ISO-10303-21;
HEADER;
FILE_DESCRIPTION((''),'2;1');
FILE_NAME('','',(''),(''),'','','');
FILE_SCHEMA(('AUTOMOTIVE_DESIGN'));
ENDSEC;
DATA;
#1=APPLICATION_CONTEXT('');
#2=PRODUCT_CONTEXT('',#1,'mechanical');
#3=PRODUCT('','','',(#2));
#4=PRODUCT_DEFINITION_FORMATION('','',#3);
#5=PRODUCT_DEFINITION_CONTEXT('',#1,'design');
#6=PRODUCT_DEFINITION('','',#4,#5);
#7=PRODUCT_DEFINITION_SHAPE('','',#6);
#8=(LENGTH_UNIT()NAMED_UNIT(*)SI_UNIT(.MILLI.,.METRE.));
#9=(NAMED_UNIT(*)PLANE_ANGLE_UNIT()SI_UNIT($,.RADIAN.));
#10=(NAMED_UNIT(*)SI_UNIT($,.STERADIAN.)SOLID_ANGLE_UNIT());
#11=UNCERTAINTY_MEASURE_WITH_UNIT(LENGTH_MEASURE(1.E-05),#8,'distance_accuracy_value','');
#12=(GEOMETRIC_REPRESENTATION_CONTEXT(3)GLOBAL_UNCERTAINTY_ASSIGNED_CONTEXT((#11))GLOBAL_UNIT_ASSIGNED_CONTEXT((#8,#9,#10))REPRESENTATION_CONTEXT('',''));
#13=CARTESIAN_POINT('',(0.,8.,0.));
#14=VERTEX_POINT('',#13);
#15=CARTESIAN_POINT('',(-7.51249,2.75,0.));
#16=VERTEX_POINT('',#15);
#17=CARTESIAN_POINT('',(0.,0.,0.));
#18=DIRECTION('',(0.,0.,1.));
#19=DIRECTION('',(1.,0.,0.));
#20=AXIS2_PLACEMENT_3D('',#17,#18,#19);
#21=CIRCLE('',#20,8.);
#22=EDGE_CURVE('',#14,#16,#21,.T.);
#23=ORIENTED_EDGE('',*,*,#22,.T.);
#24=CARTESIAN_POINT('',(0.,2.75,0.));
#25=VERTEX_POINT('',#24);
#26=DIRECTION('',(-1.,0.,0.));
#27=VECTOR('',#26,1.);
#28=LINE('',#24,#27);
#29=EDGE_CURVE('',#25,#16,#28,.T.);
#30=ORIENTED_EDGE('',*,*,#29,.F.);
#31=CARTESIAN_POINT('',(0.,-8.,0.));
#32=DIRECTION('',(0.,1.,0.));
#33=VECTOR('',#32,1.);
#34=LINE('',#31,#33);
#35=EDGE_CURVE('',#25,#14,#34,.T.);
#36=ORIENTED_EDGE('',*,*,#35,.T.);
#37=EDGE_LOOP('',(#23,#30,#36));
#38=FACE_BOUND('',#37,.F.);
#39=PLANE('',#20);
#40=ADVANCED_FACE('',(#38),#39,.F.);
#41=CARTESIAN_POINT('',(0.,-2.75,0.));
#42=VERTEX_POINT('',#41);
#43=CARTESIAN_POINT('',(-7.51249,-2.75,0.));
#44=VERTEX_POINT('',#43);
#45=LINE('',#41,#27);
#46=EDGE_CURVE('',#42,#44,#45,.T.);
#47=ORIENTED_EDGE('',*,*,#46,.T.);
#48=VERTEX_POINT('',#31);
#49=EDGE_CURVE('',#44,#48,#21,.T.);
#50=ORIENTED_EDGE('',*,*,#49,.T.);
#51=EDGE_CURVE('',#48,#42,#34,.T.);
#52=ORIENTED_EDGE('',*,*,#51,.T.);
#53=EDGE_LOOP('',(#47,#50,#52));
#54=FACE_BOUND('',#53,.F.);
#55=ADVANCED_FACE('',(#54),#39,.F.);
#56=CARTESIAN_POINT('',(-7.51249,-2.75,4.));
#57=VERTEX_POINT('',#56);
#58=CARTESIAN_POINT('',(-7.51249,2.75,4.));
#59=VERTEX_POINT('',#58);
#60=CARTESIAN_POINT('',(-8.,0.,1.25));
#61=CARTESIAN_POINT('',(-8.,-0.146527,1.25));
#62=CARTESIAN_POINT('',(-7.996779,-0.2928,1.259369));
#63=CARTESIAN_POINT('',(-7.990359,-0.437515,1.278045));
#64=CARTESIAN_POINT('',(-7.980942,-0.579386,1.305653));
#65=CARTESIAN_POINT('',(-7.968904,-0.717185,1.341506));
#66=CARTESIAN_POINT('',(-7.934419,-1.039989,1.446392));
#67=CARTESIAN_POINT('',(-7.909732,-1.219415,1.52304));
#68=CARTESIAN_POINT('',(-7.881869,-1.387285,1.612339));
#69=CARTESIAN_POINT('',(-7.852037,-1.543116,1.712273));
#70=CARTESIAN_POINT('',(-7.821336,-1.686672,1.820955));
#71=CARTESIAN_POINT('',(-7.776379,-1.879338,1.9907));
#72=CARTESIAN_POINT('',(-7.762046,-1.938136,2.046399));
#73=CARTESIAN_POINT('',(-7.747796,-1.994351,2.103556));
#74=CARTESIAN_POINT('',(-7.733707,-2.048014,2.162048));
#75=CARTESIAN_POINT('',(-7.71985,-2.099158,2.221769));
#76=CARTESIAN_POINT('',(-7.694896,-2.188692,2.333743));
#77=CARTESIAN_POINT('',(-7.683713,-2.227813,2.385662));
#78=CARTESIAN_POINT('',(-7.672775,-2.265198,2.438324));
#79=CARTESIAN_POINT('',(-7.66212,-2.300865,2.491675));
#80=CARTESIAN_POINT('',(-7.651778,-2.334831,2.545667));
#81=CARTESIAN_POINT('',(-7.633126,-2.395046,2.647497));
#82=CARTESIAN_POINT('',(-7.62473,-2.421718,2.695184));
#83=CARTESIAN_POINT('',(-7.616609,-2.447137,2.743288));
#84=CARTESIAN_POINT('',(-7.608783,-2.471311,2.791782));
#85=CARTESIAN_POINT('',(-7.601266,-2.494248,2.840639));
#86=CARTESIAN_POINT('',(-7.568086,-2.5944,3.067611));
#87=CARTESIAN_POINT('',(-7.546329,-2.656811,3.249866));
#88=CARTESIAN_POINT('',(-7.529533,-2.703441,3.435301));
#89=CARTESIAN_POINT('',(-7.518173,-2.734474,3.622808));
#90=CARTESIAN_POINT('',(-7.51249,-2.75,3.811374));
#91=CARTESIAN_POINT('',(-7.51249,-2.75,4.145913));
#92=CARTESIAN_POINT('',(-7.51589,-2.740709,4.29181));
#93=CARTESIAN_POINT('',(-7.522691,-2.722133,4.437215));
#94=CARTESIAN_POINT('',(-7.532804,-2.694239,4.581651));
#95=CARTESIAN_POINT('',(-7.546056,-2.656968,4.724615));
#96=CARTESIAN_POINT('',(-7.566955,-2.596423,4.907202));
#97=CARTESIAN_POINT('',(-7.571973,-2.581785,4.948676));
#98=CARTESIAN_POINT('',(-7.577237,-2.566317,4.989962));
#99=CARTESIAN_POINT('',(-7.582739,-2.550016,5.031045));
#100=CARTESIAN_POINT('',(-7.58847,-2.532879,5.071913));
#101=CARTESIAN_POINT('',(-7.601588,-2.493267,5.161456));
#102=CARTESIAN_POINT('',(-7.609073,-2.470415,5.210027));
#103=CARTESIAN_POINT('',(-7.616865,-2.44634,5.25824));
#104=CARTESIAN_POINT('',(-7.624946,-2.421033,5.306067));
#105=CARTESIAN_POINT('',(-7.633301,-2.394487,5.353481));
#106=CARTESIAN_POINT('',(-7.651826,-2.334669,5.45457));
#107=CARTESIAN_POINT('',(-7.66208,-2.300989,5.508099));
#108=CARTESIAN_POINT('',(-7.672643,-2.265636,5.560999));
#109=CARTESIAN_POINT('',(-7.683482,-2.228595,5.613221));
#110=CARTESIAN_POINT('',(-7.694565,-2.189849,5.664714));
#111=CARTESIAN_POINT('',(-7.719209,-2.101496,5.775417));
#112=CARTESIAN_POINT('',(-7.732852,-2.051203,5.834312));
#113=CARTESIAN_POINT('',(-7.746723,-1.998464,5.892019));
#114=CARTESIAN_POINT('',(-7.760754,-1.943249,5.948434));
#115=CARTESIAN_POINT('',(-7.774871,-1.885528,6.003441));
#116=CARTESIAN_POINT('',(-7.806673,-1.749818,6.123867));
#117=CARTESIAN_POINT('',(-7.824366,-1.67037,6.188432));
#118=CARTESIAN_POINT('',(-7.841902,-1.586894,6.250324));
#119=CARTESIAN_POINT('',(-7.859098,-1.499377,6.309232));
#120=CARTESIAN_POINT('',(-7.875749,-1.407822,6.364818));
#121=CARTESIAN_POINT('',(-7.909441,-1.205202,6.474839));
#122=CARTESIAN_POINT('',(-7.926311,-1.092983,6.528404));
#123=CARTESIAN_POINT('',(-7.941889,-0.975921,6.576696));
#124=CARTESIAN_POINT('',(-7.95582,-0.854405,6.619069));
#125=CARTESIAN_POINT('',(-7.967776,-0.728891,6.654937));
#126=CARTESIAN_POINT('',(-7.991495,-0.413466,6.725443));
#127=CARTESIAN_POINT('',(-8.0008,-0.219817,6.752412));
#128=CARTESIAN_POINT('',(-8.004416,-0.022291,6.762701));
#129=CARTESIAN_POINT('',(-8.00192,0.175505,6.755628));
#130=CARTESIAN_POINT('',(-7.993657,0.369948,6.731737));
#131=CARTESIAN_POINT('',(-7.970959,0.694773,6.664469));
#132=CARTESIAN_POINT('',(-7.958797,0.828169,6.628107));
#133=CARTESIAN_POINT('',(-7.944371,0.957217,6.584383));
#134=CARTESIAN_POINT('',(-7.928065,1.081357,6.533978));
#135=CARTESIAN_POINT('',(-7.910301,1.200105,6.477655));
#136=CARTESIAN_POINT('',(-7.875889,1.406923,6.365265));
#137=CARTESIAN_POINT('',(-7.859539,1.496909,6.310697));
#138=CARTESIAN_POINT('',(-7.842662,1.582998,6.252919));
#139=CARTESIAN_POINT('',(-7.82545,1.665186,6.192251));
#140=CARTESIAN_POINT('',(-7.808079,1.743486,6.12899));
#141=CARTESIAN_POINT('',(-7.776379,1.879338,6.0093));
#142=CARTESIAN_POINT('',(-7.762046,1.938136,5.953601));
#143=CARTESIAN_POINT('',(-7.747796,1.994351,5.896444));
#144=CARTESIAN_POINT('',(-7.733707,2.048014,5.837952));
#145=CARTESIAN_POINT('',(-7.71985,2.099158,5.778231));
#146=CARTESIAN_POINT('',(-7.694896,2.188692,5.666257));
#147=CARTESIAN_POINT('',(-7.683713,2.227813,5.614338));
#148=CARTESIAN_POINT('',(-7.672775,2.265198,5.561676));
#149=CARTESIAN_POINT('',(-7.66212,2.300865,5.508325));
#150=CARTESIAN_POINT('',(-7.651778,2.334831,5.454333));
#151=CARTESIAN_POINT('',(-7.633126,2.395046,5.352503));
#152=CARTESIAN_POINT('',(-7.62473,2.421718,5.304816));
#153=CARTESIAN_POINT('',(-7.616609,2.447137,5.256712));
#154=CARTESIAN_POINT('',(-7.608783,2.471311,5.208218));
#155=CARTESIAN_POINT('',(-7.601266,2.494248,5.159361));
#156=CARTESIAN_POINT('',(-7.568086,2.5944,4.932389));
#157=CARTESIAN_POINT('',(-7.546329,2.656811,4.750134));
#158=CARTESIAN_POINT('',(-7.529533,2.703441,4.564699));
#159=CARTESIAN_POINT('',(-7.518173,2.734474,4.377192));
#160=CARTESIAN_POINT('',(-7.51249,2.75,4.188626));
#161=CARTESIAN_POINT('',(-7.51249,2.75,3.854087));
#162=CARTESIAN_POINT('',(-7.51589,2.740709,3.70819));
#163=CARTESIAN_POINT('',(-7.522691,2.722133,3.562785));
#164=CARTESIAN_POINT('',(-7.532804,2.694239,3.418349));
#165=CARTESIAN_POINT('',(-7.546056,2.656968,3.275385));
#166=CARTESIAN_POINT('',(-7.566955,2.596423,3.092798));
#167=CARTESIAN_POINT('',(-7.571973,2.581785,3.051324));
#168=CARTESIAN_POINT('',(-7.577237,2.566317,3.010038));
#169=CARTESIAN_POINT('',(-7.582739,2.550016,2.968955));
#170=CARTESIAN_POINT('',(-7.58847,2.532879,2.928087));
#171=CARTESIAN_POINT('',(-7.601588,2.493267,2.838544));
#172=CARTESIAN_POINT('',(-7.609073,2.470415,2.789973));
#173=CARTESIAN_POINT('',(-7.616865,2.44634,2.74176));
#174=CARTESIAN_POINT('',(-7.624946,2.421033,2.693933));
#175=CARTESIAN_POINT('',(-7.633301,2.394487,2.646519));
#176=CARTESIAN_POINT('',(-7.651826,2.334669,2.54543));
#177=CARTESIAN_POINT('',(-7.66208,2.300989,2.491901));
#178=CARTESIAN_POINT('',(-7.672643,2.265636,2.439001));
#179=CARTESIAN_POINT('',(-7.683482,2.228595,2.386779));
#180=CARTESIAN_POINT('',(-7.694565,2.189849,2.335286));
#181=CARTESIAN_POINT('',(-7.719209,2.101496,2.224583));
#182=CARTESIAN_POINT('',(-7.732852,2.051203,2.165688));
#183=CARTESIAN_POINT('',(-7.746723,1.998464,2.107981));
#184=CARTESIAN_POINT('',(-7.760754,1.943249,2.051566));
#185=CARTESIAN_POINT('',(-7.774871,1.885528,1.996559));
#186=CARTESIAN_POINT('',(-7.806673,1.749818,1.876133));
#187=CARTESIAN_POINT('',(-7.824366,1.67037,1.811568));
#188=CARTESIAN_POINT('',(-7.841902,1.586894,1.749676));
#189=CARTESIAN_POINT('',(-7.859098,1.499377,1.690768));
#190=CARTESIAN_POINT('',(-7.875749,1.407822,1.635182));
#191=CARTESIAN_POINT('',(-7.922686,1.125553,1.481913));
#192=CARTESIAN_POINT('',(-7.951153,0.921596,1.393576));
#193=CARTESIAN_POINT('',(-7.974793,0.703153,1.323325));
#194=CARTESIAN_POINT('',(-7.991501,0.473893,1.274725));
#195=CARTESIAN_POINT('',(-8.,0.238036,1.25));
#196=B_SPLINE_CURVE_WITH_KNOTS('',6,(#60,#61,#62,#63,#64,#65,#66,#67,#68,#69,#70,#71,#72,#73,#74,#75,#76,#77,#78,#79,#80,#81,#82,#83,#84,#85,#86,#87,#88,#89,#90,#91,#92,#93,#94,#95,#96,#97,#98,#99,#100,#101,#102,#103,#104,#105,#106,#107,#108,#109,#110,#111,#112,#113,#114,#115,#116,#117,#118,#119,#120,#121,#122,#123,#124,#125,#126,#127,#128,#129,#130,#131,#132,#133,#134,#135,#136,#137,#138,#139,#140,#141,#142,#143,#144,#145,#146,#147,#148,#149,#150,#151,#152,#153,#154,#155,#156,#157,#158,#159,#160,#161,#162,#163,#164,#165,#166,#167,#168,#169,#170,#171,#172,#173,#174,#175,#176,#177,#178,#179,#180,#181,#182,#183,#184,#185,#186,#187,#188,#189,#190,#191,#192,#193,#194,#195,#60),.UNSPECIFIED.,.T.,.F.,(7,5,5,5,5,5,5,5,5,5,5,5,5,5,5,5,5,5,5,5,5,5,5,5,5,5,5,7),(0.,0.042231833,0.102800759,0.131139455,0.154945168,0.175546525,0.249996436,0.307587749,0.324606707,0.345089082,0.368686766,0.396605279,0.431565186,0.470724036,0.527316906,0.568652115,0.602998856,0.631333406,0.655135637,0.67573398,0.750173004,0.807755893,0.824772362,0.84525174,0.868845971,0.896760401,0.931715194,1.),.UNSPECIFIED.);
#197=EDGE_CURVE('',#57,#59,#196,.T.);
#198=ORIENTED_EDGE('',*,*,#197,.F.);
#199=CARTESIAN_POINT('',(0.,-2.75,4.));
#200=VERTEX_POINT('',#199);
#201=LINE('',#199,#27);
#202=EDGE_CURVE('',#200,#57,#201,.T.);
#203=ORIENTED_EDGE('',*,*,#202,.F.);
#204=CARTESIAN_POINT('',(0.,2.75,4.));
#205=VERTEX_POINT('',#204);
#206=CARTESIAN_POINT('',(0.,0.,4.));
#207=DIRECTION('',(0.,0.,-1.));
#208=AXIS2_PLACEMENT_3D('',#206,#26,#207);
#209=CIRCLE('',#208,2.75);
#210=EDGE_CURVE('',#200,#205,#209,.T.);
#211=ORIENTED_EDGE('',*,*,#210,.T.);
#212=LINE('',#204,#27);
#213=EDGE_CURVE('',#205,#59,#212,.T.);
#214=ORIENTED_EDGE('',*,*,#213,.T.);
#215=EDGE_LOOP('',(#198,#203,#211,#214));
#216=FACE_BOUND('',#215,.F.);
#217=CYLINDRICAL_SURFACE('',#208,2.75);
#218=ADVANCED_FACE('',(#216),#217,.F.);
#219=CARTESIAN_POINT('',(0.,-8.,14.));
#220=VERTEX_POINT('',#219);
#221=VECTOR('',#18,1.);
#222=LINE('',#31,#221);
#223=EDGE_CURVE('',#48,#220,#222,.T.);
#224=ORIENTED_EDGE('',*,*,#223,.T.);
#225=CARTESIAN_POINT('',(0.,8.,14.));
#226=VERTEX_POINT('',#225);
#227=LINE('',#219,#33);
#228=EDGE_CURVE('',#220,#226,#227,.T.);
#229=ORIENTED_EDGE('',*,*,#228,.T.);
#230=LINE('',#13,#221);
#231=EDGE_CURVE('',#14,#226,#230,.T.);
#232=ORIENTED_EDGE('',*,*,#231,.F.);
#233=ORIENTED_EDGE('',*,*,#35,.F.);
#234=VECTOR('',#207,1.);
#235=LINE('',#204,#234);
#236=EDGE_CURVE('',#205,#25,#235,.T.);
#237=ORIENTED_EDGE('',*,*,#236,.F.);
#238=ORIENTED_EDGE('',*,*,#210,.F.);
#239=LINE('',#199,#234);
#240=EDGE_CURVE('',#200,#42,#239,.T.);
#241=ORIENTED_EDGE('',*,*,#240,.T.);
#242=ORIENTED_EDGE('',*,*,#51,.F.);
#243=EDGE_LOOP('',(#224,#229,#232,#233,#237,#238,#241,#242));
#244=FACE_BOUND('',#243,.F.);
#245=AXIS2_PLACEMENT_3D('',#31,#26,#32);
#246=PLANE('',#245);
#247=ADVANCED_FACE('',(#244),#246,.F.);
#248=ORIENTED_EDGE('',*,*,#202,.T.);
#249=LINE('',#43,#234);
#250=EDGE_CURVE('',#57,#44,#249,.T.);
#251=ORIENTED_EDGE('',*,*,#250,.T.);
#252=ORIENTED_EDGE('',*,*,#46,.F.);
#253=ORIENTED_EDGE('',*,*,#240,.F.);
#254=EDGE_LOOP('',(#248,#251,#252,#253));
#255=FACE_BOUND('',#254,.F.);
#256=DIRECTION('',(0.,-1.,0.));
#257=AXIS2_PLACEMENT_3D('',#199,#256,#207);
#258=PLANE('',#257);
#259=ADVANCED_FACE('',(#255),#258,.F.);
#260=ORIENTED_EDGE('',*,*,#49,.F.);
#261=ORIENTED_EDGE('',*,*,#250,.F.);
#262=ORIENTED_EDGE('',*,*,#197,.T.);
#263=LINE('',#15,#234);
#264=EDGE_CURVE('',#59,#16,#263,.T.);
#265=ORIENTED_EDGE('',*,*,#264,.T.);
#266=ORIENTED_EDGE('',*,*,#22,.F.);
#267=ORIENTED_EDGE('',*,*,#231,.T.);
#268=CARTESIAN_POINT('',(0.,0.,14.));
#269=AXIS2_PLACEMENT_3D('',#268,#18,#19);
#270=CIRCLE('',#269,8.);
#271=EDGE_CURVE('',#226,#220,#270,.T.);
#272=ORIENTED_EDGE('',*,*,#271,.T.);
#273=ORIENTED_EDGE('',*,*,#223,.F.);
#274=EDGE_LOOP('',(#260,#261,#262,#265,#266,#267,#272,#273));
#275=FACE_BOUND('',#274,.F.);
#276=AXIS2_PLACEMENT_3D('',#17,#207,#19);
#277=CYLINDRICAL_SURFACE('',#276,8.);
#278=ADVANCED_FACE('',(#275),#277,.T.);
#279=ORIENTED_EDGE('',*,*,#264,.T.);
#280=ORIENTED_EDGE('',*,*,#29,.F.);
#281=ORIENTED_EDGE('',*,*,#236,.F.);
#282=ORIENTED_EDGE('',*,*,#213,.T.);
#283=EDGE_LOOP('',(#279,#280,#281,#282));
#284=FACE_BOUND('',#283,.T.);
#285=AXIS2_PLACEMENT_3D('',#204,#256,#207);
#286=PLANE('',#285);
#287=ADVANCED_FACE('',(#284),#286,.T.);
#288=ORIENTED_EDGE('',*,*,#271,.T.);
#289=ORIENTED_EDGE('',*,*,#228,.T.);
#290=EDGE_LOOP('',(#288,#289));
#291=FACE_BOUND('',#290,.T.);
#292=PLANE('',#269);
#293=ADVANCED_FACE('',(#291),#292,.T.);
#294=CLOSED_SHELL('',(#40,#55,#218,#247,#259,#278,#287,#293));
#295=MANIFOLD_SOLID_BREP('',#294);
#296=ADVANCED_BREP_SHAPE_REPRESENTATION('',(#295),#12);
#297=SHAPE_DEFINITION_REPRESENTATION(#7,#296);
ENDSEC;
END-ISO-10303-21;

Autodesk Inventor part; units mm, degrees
ref_plane "YZ Plane" through (0, 0, 0) normal (1, 0, 0) x (0, 1, 0)
ref_plane "XZ Plane" through (0, 0, 0) normal (0, 1, 0) x (-1, 0, 0)
ref_plane "XY Plane" through (0, 0, 0) normal (0, 0, 1) x (1, 0, 0)
sketch "Skizze1" plane through (0, 0, 0) normal (0, 0, 1) x (1, 0, 0)
  circle A0 centre (0, 0) radius 8
  line L0 (0, -8) -> (0, 8)
  dimension "d0" = 16
extrude "Extrusion1" add sketch "Skizze1" along normal blind 14 contours L0 A0 picked at (-4.0721, -1.7428)
sketch "Skizze2" plane through (0, -8, 0) normal (1, 0, 0) x (0, 0, -1)
  line L0 (0, 0) -> (0, 16) construction
  line L1 (0, 16) -> (-14, 16) construction
  line L2 (-14, 0) -> (-14, 16) construction
  line L3 (0, 0) -> (-14, 0) construction
  line L4 (-14, 16) -> (-14, 0) construction
  line L5 (0, 16) -> (0, 0) construction
  line L6 (-14, 16) -> (0, 0) construction
  line L7 (0, 0) -> (-14, 0) construction
  line L8 (-14, 0) -> (0, 16) construction
  line L9 (-14, 8) -> (0, 8) construction
  point P0 (-4, 8)
  dimension "d12" = 4
hole "Bohrung1" at (0, 0, 4) direction (-1, 0, 0) diameter 5.5 end through all clearance for "Inbusschraube DIN EN ISO 4762" size "M5" standard "DIN"
sketch "Skizze3" plane through (0, -8, 0) normal (1, 0, 0) x (0, 0, -1)
  circle A0 centre (-4, 8) radius 2.75
  line L0 (-4, 5.25) -> (0, 5.25)
  line L1 (0, 16) -> (0, 0) construction
  line L2 (-4, 10.75) -> (0, 10.75)
  line L3 (0, 5.25) -> (0, 10.75)
  circle A1 centre (-4, 8) radius 2.75 construction
  point P0 (0, 8)
extrude "Extrusion2" cut sketch "Skizze3" against normal through all contours A0 L2 L3 L0
properties part number "Gabel_Enforcement"
